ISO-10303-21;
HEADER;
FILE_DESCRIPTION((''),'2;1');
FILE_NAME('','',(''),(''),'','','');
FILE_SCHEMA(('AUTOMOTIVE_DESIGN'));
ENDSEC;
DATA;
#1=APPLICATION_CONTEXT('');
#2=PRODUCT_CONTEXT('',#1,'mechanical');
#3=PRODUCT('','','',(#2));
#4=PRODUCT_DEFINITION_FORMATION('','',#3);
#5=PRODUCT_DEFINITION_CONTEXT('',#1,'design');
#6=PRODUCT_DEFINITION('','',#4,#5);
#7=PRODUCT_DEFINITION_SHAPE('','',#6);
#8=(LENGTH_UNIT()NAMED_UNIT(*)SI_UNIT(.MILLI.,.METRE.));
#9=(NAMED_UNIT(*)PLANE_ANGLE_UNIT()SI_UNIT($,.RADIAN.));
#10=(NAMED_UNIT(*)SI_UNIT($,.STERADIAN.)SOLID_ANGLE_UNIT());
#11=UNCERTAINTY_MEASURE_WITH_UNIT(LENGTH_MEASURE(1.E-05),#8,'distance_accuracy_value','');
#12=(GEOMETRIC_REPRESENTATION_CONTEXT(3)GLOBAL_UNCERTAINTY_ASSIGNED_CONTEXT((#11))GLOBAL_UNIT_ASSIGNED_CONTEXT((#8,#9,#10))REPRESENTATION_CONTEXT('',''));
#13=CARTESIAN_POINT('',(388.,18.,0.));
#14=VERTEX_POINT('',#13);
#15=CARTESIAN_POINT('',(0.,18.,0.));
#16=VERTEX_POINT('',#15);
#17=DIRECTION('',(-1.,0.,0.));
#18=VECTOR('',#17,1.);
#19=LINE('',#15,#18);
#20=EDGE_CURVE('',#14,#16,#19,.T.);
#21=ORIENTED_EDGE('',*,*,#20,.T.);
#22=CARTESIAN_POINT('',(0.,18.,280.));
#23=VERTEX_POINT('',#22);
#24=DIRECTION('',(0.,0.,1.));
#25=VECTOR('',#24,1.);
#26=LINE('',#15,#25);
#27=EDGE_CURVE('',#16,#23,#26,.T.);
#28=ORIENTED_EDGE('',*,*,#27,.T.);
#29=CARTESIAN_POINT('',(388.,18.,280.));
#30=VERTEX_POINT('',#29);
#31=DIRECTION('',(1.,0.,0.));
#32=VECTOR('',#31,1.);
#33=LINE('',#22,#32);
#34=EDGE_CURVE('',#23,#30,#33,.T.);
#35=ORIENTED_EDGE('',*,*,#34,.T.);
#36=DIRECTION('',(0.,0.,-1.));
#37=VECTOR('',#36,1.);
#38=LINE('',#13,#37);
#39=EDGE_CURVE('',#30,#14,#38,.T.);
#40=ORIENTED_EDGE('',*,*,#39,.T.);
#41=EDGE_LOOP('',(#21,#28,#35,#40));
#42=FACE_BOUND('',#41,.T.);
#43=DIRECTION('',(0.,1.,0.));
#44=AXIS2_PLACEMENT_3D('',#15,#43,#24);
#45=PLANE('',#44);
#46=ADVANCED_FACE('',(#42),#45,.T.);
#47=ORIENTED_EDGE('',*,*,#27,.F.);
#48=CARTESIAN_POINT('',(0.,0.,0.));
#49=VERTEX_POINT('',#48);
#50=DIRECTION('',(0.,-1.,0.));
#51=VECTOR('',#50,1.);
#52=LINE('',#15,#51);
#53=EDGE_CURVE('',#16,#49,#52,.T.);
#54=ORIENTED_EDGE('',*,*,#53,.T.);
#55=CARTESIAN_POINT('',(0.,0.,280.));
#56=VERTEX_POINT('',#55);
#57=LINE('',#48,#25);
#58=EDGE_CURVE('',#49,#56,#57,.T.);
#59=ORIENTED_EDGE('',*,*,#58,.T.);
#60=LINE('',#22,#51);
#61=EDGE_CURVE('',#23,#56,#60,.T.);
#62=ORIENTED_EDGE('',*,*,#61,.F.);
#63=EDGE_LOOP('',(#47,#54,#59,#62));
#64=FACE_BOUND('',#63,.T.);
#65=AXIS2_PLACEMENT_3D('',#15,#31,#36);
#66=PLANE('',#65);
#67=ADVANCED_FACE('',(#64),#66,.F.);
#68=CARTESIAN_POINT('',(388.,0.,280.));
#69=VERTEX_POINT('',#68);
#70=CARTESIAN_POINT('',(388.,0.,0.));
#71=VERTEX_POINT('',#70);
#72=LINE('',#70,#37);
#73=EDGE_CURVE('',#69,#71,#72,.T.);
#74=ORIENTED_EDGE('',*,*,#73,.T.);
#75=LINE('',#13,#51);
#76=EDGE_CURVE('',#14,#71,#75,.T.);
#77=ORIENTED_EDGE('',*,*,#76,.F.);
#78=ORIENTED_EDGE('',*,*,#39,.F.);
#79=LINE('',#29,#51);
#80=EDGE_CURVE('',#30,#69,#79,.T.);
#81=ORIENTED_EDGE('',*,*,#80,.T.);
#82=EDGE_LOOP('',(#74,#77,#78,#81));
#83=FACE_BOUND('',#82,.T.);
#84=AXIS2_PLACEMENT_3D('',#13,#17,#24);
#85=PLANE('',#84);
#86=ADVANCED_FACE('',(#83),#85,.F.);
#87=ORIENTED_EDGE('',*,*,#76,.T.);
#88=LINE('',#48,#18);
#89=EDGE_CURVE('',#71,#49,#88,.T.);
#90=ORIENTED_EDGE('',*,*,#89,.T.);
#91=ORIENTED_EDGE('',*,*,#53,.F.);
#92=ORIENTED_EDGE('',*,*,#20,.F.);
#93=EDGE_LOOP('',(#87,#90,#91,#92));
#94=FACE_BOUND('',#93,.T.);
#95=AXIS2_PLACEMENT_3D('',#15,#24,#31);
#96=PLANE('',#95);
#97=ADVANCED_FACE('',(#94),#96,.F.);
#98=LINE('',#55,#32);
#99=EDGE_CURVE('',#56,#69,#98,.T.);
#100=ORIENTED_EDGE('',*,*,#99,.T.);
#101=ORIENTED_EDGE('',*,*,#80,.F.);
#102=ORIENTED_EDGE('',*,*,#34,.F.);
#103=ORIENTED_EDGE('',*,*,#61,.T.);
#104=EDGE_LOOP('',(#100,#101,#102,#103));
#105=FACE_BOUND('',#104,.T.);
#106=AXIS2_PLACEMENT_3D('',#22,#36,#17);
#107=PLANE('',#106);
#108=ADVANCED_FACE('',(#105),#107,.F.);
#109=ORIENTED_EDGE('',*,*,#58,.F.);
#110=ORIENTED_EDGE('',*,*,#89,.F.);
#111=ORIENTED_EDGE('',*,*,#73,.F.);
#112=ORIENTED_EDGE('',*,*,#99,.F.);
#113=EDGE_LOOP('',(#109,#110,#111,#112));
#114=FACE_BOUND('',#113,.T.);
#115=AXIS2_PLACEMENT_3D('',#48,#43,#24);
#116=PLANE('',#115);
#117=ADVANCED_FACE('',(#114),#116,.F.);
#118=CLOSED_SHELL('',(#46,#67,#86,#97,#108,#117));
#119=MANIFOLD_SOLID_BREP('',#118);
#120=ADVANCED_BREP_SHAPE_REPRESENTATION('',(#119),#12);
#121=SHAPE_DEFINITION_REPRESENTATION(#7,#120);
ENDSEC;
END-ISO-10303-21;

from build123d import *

# Parameters (mm, degrees)
SKETCH_1_W      = 388
SKETCH_1_H      = 280
EXTRUDE_1_DEPTH = 18


with BuildPart() as part:
    # 草图1 → 凸台-拉伸1 (new body)
    with BuildSketch(Plane(origin=(0, 0, 0), x_dir=(1, 0, 0), z_dir=(0, 1, 0))):
        with Locations((194, -140)):
            Rectangle(SKETCH_1_W, SKETCH_1_H)
    extrude(amount=EXTRUDE_1_DEPTH)


solid = part.part
